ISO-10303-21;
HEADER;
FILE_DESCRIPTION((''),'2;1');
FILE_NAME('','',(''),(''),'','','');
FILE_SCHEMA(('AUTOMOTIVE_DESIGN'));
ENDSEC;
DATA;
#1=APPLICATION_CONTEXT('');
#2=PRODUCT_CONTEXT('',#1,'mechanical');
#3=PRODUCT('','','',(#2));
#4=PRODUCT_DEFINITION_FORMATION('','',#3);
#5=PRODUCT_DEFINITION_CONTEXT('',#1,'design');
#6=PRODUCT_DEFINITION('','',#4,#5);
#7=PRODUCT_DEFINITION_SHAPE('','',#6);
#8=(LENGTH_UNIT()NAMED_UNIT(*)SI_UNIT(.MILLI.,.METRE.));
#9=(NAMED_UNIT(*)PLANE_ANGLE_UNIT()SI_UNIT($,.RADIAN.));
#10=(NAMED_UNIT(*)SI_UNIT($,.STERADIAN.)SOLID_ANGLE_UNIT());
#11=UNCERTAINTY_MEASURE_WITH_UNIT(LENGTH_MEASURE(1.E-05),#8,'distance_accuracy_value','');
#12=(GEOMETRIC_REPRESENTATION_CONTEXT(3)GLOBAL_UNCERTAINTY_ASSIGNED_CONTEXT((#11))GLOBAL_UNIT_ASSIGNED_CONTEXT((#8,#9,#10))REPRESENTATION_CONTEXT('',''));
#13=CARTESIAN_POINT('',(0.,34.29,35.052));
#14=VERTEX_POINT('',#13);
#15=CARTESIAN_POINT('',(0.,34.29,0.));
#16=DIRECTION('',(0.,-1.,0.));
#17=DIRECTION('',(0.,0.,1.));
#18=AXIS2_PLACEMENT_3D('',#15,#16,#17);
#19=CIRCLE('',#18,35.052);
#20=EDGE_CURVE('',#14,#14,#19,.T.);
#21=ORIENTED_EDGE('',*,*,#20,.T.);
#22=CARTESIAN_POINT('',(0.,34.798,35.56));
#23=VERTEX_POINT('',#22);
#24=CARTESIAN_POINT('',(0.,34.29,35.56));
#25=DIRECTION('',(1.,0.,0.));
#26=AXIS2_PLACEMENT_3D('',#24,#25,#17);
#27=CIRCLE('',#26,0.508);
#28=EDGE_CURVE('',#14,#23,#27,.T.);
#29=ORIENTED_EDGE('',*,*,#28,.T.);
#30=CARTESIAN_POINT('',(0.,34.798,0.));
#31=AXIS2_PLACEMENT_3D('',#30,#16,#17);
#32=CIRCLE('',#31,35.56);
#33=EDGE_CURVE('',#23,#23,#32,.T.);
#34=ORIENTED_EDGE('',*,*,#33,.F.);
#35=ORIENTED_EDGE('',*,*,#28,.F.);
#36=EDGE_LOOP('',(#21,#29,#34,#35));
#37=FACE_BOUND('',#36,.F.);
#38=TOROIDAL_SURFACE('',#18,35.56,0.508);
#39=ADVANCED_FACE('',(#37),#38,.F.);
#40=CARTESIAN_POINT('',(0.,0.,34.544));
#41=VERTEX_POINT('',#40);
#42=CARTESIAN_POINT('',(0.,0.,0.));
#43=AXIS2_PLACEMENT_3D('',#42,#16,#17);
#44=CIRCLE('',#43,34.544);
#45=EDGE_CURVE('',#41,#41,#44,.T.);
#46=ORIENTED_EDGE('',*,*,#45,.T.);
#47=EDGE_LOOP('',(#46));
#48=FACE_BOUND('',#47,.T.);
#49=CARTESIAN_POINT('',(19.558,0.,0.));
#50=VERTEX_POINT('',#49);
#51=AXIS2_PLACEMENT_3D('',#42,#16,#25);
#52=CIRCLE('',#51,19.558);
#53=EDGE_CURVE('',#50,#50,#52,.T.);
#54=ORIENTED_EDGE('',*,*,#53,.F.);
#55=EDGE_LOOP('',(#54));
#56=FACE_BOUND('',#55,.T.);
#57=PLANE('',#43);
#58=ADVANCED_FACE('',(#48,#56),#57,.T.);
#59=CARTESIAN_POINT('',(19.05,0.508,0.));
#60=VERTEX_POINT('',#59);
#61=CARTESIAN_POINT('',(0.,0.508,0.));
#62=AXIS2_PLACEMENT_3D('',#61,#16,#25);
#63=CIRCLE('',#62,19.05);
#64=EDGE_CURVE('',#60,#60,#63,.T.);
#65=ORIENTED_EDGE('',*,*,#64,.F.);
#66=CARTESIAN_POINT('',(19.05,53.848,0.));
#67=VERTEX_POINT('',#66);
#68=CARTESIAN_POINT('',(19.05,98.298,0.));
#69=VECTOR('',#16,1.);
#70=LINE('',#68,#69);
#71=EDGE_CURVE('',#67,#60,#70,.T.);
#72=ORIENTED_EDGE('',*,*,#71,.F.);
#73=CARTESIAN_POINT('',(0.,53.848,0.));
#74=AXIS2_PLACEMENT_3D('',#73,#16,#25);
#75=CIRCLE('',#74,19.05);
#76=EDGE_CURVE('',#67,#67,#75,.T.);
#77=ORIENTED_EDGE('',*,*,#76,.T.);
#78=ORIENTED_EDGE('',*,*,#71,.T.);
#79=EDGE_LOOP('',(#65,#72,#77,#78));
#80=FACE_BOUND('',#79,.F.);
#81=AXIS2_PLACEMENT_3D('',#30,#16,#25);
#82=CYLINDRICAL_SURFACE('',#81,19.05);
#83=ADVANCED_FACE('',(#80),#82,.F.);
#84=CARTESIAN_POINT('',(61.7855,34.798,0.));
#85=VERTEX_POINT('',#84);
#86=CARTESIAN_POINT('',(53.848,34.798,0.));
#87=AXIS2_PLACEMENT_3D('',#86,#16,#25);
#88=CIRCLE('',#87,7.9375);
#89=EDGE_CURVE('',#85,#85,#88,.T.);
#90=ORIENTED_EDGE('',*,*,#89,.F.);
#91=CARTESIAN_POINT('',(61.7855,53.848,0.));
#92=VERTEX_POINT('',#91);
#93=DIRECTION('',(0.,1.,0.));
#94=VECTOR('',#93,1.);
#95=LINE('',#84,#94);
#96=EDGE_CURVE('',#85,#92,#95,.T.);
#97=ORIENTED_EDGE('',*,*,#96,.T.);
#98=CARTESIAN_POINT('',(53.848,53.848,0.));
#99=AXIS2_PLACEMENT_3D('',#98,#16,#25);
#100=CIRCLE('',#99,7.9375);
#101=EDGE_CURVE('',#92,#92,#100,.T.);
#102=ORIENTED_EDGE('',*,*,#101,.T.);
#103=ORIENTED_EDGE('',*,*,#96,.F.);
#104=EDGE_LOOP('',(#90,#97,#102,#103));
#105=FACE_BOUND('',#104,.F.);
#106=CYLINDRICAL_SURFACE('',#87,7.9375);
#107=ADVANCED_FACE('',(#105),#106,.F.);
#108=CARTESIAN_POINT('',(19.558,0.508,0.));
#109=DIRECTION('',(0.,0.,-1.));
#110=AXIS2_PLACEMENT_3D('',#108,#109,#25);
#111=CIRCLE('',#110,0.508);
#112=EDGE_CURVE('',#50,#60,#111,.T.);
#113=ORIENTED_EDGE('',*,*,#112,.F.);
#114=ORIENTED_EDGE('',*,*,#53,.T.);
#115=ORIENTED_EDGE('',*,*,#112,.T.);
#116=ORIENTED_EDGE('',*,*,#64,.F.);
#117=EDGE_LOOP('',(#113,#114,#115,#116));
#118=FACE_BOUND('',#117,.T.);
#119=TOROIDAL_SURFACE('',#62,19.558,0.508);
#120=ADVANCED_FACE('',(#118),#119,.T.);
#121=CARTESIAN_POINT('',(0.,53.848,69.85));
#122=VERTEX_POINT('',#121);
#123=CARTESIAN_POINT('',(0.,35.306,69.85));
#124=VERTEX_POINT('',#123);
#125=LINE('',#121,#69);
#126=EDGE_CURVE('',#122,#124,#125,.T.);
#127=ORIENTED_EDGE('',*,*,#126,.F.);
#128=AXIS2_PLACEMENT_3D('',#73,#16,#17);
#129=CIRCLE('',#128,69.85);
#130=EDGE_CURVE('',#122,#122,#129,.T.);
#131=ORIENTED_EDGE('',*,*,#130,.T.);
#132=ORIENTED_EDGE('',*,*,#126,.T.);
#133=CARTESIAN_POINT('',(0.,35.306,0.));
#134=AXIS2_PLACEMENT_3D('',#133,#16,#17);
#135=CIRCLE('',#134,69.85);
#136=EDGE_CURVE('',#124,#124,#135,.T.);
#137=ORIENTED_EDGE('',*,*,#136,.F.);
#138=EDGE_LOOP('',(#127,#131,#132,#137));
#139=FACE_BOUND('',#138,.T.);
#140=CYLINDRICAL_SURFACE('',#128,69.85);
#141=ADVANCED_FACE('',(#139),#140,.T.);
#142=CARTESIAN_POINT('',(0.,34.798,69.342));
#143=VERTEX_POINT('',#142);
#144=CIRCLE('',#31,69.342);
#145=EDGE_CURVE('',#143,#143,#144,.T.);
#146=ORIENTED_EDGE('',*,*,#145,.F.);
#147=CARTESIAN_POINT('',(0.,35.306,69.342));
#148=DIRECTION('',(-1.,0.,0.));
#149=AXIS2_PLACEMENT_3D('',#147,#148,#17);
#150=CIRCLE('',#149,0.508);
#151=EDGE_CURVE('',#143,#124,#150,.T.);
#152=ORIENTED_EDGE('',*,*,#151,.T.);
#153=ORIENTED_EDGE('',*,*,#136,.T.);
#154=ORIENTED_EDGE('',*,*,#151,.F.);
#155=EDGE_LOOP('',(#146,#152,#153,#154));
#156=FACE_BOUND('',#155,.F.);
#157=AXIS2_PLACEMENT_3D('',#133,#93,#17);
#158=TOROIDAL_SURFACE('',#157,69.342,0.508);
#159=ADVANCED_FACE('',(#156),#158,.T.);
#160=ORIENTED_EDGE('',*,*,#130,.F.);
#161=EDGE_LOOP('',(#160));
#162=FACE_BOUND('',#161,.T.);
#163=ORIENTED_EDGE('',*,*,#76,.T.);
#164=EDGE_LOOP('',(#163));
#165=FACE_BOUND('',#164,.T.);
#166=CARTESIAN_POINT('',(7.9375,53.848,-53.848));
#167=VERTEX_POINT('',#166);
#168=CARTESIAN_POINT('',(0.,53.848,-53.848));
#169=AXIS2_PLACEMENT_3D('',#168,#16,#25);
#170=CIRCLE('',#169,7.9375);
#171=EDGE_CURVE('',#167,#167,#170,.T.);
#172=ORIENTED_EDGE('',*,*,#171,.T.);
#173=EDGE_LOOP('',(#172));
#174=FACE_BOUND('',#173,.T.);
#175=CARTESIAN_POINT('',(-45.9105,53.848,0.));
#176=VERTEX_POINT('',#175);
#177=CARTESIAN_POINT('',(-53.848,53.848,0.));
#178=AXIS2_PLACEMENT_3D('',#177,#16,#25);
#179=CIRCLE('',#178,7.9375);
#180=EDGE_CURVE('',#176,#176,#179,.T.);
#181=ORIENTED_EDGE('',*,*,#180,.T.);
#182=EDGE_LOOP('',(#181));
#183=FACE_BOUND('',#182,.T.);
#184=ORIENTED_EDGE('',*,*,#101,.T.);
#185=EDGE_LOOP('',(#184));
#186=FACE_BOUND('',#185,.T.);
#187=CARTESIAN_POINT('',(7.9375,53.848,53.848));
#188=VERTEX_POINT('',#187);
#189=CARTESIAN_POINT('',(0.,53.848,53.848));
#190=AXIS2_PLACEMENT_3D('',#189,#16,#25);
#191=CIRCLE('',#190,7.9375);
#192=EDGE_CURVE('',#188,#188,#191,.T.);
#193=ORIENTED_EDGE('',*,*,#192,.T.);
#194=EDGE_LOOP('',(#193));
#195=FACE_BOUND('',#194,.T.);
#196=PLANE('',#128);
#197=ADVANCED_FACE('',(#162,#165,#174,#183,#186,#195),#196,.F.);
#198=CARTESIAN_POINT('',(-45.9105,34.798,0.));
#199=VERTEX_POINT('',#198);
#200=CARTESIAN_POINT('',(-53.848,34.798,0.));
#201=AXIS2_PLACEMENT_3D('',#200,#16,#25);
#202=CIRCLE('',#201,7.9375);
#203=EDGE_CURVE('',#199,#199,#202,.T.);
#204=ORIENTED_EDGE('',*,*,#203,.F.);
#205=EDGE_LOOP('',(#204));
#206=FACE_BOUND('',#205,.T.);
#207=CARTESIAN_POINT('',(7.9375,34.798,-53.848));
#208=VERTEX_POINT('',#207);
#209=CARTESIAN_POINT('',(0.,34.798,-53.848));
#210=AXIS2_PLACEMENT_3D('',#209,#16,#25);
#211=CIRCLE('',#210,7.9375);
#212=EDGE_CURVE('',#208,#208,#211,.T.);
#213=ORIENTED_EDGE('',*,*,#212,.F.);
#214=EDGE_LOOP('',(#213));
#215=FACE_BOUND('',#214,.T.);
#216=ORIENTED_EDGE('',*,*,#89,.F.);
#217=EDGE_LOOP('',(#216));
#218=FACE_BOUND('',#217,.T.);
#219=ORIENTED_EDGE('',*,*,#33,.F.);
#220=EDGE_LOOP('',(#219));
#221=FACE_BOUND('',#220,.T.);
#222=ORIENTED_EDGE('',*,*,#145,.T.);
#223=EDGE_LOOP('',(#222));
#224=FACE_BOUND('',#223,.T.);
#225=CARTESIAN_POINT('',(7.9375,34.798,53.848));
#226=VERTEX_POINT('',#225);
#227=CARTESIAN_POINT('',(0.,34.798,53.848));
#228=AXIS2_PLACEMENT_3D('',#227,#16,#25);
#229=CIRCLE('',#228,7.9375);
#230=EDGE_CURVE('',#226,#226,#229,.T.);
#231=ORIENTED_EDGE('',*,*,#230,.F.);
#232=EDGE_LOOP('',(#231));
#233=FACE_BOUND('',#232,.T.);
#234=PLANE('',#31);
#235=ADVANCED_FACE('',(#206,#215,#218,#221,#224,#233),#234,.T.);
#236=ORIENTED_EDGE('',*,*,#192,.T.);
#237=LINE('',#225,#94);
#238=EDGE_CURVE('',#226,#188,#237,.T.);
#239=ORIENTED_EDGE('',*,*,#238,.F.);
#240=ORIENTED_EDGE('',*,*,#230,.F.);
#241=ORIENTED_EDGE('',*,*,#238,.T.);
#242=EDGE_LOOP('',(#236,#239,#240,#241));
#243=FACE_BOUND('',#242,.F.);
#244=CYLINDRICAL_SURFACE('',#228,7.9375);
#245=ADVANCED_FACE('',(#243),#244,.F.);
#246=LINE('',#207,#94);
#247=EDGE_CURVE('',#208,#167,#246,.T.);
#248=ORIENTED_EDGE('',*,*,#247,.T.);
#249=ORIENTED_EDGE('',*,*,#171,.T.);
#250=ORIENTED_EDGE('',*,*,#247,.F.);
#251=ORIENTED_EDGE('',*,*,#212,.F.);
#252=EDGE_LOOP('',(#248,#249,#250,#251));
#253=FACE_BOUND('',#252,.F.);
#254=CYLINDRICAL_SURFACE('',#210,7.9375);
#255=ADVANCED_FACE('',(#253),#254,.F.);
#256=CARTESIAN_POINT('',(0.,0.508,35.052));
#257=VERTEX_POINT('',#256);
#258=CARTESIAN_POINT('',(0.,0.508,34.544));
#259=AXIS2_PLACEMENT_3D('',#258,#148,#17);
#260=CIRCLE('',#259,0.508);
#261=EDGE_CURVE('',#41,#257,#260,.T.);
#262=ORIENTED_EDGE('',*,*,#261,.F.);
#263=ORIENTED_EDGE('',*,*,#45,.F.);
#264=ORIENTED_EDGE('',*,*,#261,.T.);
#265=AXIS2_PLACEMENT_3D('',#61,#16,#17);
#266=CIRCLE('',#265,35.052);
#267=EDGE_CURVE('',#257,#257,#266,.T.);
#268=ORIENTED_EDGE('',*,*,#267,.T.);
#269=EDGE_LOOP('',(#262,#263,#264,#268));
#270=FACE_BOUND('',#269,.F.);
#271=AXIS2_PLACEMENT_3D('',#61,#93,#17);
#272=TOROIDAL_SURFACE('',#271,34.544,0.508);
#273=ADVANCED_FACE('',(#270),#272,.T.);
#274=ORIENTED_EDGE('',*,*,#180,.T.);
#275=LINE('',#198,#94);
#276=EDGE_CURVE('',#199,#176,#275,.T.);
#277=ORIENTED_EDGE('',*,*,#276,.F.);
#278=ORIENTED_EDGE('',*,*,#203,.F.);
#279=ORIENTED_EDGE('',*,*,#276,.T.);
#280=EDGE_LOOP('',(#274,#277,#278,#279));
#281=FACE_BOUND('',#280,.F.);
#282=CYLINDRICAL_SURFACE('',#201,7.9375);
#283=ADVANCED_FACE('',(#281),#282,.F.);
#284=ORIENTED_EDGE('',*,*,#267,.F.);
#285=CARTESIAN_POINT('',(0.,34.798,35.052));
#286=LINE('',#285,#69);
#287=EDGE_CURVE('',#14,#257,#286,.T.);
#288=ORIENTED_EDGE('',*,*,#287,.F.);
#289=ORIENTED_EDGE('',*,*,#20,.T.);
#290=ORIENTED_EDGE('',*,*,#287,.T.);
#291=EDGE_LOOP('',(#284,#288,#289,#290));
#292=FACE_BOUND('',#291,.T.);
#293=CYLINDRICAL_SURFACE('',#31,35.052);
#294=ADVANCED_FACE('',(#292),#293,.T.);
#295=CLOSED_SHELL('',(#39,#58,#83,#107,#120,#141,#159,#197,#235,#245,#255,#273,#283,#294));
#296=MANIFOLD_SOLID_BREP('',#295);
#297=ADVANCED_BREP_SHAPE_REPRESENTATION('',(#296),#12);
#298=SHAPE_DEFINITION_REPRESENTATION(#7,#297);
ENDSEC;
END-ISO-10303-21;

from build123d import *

# Parameters (mm, degrees)
F2_R     = 19.05
F3_DEPTH = 63.5
F4_R     = 7.9375
F5_DEPTH = 127
F6_DEPTH = 25.4
F7_R     = 0.508
F8_R     = 0.508


with BuildPart() as f1:
    # F0 (on Right) → F1 (revolve)
    with BuildSketch(Plane.YZ):
        Polygon((0, 35.052), (0, 0), (53.848, 0), (53.848, 69.85), (34.798, 69.85), (34.798, 35.052), align=None)
    revolve(axis=Axis((0, 26.924, 0), (0, -1, 0)))

    # F2 (on face) → F3 (cut, symmetric)
    with BuildSketch(Plane.XZ.offset(-34.798)):
        Circle(F2_R)
    extrude(amount=F3_DEPTH, both=True, mode=Mode.SUBTRACT)

    # F4 (on face) → F5 (cut)
    with BuildSketch(Plane.XZ.offset(-34.798)):
        with Locations((0, 53.848)):
            Circle(F4_R)
        with Locations((-53.848, 0)):
            Circle(F4_R)
        with Locations((0, -53.848)):
            Circle(F4_R)
        with Locations((53.848, 0)):
            Circle(F4_R)
    extrude(amount=-F5_DEPTH, mode=Mode.SUBTRACT)

    # F4 (on face) → F6 (cut)
    with BuildSketch(Plane.XZ.offset(-34.798)):
        with Locations((0, 53.848)):
            Circle(F4_R)
        with Locations((-53.848, 0)):
            Circle(F4_R)
        with Locations((0, -53.848)):
            Circle(F4_R)
        with Locations((53.848, 0)):
            Circle(F4_R)
    extrude(amount=-F6_DEPTH, mode=Mode.SUBTRACT)

    # F7
    f7_edges = [f1.edges().sort_by_distance(p)[0] for p in [
        (-19.05, 0, 0),
    ]]
    fillet(f7_edges, radius=F7_R)

    # F8
    f8_edges = [f1.edges().sort_by_distance(p)[0] for p in [
        (0, 0, -35.052),
        (0, 34.798, -35.052),
        (0, 34.798, -69.85),
    ]]
    fillet(f8_edges, radius=F8_R)


solid = f1.part
